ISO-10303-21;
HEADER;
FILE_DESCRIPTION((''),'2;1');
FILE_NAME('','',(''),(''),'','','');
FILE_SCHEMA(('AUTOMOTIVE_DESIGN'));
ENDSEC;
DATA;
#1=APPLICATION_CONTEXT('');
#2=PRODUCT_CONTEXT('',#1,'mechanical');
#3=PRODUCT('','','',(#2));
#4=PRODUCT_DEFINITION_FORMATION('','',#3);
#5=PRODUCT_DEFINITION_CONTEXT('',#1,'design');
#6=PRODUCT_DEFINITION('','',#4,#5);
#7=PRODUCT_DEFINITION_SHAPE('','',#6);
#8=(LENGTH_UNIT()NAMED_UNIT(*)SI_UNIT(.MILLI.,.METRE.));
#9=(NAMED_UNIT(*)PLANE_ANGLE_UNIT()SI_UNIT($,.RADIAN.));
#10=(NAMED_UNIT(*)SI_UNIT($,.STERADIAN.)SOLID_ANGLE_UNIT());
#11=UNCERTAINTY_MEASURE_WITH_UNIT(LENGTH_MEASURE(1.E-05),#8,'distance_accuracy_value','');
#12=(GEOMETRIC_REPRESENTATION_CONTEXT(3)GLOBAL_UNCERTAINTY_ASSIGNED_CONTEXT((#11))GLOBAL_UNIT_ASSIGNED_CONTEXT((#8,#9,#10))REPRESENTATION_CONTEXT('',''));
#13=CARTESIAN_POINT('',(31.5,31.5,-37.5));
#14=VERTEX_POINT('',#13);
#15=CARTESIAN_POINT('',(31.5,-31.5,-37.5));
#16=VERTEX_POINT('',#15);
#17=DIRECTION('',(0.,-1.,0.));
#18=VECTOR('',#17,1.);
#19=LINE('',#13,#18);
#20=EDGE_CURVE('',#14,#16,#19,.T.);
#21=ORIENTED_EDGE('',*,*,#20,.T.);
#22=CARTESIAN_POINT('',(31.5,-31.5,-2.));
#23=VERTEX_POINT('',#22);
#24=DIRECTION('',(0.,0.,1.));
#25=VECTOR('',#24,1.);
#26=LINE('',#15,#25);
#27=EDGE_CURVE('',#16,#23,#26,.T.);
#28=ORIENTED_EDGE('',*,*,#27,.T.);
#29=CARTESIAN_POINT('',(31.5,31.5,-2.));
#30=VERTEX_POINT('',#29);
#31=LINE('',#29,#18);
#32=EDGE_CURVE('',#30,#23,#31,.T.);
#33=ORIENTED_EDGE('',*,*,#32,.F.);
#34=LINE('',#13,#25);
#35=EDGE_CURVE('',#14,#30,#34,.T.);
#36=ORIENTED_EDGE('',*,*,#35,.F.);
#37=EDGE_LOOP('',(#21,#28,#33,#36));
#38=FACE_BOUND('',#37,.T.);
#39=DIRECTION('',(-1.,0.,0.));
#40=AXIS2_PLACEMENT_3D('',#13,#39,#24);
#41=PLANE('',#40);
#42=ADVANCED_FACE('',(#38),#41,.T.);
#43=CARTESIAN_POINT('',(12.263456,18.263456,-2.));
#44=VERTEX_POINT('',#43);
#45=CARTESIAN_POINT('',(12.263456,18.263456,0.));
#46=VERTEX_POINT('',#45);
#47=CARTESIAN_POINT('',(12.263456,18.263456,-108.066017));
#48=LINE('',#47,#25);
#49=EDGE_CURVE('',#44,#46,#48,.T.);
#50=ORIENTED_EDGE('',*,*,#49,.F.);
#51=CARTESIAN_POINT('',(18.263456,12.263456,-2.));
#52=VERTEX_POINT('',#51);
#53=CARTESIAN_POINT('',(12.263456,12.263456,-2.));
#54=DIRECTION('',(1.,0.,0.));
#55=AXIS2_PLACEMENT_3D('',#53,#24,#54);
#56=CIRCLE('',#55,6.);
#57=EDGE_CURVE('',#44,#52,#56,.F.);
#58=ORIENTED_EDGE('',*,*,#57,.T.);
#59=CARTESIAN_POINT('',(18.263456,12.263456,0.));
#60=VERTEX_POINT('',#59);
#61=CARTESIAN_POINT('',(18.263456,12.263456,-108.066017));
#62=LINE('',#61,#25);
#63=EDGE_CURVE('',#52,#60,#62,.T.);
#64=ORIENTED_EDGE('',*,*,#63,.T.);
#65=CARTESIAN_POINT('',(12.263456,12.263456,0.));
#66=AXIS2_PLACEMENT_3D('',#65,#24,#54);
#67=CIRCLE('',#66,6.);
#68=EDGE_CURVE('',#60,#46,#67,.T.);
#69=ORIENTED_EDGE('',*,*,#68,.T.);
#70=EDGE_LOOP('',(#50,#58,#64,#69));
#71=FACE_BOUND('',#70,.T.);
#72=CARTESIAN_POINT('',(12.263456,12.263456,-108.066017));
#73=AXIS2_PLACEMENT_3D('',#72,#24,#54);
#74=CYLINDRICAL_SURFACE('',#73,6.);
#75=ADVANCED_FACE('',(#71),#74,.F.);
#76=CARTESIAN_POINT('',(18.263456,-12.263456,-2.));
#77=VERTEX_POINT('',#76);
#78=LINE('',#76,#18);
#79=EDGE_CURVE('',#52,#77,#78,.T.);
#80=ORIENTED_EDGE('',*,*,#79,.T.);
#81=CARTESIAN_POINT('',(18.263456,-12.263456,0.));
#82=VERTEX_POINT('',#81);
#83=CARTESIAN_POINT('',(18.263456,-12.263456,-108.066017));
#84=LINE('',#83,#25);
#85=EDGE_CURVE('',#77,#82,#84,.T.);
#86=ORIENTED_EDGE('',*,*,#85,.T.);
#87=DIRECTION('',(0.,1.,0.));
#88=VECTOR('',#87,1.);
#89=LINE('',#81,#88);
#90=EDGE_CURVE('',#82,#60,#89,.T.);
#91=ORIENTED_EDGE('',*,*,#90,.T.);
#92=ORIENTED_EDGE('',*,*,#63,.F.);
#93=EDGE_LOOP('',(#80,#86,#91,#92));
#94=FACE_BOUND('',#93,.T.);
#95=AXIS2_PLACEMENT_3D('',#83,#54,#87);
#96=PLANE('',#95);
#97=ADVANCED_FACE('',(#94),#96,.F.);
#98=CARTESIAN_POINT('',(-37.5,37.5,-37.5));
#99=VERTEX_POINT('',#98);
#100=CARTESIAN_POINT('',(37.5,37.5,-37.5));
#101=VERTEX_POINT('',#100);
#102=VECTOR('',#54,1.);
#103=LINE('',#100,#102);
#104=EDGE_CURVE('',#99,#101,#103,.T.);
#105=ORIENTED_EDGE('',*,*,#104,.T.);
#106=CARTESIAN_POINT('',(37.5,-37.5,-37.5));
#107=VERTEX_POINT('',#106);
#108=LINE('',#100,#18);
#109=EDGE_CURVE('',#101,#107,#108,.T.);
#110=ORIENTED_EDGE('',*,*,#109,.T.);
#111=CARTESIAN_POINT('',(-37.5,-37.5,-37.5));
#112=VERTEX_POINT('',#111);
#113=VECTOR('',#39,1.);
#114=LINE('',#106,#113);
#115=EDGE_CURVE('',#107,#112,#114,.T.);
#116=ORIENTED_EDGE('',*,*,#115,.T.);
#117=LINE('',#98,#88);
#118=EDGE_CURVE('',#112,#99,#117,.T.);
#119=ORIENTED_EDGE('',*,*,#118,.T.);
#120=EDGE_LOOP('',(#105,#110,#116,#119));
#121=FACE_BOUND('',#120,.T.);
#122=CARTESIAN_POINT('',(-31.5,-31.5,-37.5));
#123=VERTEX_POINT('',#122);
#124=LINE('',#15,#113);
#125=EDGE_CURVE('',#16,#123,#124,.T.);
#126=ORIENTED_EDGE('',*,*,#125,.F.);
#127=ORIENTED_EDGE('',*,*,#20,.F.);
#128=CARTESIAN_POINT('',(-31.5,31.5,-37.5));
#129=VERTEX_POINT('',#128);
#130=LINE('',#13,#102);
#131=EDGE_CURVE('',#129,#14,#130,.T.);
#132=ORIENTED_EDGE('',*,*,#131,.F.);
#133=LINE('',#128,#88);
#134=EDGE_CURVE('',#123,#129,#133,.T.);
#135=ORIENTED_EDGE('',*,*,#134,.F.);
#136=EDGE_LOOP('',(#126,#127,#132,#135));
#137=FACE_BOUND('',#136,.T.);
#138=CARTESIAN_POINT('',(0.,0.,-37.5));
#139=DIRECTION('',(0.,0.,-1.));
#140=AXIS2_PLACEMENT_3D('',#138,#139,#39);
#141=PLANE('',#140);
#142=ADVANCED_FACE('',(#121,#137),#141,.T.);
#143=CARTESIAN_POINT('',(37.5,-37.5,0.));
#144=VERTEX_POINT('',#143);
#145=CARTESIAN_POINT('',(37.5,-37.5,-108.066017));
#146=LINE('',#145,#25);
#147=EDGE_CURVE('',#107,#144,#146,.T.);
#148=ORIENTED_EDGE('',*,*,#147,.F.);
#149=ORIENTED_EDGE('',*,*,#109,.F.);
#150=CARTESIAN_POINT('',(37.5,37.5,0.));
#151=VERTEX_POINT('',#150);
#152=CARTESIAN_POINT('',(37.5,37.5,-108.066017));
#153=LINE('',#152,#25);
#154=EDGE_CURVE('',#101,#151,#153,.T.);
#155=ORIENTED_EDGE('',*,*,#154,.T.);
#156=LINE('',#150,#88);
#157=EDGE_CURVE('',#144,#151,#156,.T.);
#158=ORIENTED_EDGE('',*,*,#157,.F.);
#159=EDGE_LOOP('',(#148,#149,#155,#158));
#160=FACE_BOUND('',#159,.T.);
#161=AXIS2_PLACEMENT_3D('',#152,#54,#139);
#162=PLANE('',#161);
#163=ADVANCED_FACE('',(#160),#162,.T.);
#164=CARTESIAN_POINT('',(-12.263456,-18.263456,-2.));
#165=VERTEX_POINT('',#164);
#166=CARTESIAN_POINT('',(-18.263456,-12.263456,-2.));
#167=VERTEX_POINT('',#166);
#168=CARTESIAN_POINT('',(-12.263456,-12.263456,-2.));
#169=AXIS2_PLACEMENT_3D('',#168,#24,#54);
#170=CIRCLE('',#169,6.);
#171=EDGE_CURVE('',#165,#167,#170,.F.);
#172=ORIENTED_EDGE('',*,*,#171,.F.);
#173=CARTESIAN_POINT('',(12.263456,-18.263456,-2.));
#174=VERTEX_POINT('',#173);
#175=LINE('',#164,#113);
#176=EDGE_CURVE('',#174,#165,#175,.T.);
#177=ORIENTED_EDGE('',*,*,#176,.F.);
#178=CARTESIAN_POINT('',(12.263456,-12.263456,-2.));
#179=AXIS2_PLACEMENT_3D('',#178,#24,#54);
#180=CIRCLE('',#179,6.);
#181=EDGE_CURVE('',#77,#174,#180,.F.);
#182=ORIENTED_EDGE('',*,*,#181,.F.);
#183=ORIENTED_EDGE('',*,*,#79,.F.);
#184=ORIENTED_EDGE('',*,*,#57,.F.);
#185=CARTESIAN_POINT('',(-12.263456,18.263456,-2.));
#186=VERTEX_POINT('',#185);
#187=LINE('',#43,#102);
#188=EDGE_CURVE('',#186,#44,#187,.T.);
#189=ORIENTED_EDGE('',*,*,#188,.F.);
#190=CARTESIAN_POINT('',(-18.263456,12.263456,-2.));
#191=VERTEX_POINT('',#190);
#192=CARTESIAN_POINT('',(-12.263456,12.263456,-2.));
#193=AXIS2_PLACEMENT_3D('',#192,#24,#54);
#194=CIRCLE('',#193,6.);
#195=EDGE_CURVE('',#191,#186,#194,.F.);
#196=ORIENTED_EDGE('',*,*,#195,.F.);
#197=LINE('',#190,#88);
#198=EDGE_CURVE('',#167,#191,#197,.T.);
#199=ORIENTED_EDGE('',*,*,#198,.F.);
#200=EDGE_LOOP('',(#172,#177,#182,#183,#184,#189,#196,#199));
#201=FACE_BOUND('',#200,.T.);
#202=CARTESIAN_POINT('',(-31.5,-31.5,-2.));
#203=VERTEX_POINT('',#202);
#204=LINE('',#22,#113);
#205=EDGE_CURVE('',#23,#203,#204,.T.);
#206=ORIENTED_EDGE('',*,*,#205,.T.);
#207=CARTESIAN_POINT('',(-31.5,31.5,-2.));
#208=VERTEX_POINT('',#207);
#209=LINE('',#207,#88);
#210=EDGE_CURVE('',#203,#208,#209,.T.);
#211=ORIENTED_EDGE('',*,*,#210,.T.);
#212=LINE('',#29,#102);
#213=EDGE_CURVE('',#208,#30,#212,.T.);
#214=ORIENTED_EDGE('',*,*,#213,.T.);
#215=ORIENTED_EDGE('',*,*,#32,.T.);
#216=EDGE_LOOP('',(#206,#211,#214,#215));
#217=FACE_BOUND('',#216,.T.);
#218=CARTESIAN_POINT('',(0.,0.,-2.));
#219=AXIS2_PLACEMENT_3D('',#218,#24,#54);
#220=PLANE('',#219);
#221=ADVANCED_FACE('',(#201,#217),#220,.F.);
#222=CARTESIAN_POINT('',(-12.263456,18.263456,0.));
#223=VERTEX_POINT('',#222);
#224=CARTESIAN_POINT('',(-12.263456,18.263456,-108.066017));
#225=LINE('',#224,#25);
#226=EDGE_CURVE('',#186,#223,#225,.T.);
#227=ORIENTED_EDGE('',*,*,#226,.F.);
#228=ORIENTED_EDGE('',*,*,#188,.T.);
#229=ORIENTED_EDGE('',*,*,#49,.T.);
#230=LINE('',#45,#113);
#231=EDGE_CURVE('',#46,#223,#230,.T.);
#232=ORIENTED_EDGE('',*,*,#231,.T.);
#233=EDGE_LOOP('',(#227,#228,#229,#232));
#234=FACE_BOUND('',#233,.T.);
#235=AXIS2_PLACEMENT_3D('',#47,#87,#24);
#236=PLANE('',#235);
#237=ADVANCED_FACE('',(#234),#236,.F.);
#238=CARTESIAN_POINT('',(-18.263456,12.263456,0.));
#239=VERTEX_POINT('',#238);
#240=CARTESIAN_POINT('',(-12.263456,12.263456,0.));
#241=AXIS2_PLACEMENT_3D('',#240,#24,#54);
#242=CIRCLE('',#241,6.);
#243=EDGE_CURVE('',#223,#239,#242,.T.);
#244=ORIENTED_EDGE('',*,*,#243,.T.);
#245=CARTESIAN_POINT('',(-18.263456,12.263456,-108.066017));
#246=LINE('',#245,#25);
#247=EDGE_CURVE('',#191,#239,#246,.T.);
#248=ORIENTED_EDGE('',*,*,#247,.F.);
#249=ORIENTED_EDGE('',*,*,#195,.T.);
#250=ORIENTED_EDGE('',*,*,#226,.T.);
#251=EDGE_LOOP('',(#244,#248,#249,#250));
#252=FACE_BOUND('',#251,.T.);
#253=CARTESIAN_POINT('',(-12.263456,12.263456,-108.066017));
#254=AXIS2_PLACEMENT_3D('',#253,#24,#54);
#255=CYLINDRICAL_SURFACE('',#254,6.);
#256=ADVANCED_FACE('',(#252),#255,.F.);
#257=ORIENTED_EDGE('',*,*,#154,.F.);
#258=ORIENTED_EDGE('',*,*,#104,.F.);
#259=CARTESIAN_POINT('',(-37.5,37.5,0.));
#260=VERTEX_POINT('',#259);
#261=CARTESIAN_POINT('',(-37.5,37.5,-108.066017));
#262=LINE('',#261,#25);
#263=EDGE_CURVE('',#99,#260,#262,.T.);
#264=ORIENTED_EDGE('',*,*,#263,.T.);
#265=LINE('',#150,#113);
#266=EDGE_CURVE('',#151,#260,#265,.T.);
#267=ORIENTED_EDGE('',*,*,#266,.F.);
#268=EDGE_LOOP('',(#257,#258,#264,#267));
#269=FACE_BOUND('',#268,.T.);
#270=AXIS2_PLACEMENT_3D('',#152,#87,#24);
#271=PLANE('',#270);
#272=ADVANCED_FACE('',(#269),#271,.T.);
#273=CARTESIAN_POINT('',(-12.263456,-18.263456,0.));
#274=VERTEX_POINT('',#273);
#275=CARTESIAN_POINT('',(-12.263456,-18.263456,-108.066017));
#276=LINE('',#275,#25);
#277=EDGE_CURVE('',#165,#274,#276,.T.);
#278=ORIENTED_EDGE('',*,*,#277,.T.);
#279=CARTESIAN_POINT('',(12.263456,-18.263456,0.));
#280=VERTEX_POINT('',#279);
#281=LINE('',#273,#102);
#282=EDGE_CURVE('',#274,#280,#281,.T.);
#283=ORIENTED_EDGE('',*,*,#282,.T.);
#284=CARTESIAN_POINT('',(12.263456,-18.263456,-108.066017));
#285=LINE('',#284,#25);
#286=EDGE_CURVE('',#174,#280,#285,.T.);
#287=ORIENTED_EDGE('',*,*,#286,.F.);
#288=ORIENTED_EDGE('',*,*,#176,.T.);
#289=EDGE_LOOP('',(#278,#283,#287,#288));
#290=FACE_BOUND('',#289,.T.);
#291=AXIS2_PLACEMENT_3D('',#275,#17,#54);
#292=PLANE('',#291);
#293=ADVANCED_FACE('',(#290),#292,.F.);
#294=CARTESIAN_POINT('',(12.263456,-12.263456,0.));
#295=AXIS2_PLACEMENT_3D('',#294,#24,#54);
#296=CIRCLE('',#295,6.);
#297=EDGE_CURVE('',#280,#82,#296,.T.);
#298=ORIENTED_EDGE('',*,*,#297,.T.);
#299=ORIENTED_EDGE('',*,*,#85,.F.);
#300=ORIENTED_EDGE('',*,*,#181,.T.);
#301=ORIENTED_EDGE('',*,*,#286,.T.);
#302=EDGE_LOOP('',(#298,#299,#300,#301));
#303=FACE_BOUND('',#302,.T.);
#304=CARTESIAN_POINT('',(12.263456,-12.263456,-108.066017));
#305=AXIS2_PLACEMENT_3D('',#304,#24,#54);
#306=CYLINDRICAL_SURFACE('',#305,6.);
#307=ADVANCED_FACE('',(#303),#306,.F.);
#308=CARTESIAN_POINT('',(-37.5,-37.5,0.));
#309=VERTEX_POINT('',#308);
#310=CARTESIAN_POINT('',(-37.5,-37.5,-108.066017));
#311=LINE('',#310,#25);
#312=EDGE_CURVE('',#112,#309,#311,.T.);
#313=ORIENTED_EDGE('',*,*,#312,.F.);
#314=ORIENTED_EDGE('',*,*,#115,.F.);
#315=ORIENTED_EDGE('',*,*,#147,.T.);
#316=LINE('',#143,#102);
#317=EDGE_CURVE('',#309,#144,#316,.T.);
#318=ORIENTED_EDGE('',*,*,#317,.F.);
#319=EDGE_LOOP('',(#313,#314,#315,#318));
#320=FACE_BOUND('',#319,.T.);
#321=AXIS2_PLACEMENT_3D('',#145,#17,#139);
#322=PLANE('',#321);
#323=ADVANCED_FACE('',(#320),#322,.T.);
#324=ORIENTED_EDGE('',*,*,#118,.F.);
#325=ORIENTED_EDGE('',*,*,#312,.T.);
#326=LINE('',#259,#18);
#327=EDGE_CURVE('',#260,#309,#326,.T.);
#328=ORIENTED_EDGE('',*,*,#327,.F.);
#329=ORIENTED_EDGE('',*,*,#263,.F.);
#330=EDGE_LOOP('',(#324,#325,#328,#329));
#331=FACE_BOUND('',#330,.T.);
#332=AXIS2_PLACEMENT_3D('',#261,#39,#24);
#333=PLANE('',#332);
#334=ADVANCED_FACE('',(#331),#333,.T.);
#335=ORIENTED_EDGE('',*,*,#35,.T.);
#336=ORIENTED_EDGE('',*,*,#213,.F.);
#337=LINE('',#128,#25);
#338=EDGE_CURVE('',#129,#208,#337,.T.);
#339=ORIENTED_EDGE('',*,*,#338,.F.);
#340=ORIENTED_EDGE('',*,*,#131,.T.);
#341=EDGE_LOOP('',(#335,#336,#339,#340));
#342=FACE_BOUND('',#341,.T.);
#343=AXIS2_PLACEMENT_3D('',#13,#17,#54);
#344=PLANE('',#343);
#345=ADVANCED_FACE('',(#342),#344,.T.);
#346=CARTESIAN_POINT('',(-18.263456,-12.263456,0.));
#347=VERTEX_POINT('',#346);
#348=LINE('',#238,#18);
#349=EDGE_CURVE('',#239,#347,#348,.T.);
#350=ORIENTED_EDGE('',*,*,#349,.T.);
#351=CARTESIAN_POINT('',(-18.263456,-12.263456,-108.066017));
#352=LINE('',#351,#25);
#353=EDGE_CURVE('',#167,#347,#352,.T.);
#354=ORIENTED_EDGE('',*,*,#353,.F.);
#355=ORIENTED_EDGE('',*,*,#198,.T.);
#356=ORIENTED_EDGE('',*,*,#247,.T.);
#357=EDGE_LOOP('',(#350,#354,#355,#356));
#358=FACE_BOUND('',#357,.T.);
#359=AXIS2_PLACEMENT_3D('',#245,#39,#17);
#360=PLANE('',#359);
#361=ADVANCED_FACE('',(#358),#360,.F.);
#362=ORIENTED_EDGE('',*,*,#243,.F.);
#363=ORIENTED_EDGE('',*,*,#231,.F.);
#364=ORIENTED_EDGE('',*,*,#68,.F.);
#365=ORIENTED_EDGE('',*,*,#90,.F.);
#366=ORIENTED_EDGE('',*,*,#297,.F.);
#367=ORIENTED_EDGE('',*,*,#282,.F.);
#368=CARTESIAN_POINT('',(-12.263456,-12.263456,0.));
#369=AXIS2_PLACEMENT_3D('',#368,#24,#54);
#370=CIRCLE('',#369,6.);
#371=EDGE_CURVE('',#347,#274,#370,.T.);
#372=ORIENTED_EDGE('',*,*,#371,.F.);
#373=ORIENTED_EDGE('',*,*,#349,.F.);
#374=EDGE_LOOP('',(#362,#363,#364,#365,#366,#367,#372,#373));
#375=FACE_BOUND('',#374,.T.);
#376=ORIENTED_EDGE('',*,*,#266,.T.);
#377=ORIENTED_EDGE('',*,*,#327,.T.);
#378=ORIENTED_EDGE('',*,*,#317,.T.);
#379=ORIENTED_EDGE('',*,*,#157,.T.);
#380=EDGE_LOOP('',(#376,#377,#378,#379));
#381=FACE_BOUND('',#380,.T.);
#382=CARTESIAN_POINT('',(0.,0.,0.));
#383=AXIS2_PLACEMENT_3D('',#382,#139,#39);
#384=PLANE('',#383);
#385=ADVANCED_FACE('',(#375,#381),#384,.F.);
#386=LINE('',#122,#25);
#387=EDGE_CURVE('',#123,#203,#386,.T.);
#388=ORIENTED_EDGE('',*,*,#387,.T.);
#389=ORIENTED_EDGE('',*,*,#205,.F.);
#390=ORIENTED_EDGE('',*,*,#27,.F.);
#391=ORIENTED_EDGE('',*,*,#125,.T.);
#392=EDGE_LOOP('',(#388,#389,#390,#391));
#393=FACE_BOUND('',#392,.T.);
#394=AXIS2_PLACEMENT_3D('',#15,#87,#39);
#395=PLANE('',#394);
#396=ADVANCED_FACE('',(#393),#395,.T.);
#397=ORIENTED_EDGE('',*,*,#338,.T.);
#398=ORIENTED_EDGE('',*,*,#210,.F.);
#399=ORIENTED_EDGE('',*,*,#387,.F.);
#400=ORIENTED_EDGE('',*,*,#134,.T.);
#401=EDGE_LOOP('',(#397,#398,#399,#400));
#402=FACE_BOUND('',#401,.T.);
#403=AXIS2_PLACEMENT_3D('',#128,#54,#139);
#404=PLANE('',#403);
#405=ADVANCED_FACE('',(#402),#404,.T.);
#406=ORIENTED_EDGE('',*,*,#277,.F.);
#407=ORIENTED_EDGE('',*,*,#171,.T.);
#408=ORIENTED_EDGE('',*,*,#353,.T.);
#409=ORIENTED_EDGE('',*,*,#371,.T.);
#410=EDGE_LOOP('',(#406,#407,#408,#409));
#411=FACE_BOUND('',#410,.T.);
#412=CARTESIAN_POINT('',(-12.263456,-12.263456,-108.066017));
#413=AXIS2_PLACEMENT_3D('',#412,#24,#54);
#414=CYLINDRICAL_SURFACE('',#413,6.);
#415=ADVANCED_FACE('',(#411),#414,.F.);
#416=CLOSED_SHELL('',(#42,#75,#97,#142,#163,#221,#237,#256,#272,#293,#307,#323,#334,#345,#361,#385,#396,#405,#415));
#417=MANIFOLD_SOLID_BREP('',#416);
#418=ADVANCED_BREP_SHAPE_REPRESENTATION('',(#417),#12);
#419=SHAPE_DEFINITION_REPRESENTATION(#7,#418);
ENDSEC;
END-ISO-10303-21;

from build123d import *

# Parameters (mm, degrees)
SKETCH1_W           = 75
SKETCH1_H           = 75
BOSS_EXTRUDE1_DEPTH = 2
SKETCH2_W           = 75
SKETCH2_H           = 75
SKETCH2_W_2         = 63
SKETCH2_H_2         = 63
BOSS_EXTRUDE2_DEPTH = 35.5


with BuildPart() as part:
    # Sketch1 → Boss-Extrude1 (new body)
    with BuildSketch(Plane.XY):
        Rectangle(SKETCH1_W, SKETCH1_H)
        with BuildLine():
            Line((12.263455967, 18.263455967), (-12.263455967, 18.263455967))
            ThreePointArc((-12.263455967, 18.263455967), (-16.506096654, 16.506096654), (-18.263455967, 12.263455967))
            Line((-18.263455967, 12.263455967), (-18.263455967, -12.263455967))
            ThreePointArc((-18.263455967, -12.263455967), (-16.506096654, -16.506096654), (-12.263455967, -18.263455967))
            Line((-12.263455967, -18.263455967), (12.263455967, -18.263455967))
            ThreePointArc((12.263455967, -18.263455967), (16.506096654, -16.506096654), (18.263455967, -12.263455967))
            Line((18.263455967, -12.263455967), (18.263455967, 12.263455967))
            ThreePointArc((18.263455967, 12.263455967), (16.506096654, 16.506096654), (12.263455967, 18.263455967))
        make_face(mode=Mode.SUBTRACT)
    extrude(amount=-BOSS_EXTRUDE1_DEPTH)

    # Sketch2 → Boss-Extrude2 (add)
    with BuildSketch(Plane(origin=(0, 0, -2), x_dir=(-1, 0, 0), z_dir=(0, 0, -1))):
        Rectangle(SKETCH2_W, SKETCH2_H)
        Rectangle(SKETCH2_W_2, SKETCH2_H_2, mode=Mode.SUBTRACT)
    extrude(amount=BOSS_EXTRUDE2_DEPTH)


solid = part.part
